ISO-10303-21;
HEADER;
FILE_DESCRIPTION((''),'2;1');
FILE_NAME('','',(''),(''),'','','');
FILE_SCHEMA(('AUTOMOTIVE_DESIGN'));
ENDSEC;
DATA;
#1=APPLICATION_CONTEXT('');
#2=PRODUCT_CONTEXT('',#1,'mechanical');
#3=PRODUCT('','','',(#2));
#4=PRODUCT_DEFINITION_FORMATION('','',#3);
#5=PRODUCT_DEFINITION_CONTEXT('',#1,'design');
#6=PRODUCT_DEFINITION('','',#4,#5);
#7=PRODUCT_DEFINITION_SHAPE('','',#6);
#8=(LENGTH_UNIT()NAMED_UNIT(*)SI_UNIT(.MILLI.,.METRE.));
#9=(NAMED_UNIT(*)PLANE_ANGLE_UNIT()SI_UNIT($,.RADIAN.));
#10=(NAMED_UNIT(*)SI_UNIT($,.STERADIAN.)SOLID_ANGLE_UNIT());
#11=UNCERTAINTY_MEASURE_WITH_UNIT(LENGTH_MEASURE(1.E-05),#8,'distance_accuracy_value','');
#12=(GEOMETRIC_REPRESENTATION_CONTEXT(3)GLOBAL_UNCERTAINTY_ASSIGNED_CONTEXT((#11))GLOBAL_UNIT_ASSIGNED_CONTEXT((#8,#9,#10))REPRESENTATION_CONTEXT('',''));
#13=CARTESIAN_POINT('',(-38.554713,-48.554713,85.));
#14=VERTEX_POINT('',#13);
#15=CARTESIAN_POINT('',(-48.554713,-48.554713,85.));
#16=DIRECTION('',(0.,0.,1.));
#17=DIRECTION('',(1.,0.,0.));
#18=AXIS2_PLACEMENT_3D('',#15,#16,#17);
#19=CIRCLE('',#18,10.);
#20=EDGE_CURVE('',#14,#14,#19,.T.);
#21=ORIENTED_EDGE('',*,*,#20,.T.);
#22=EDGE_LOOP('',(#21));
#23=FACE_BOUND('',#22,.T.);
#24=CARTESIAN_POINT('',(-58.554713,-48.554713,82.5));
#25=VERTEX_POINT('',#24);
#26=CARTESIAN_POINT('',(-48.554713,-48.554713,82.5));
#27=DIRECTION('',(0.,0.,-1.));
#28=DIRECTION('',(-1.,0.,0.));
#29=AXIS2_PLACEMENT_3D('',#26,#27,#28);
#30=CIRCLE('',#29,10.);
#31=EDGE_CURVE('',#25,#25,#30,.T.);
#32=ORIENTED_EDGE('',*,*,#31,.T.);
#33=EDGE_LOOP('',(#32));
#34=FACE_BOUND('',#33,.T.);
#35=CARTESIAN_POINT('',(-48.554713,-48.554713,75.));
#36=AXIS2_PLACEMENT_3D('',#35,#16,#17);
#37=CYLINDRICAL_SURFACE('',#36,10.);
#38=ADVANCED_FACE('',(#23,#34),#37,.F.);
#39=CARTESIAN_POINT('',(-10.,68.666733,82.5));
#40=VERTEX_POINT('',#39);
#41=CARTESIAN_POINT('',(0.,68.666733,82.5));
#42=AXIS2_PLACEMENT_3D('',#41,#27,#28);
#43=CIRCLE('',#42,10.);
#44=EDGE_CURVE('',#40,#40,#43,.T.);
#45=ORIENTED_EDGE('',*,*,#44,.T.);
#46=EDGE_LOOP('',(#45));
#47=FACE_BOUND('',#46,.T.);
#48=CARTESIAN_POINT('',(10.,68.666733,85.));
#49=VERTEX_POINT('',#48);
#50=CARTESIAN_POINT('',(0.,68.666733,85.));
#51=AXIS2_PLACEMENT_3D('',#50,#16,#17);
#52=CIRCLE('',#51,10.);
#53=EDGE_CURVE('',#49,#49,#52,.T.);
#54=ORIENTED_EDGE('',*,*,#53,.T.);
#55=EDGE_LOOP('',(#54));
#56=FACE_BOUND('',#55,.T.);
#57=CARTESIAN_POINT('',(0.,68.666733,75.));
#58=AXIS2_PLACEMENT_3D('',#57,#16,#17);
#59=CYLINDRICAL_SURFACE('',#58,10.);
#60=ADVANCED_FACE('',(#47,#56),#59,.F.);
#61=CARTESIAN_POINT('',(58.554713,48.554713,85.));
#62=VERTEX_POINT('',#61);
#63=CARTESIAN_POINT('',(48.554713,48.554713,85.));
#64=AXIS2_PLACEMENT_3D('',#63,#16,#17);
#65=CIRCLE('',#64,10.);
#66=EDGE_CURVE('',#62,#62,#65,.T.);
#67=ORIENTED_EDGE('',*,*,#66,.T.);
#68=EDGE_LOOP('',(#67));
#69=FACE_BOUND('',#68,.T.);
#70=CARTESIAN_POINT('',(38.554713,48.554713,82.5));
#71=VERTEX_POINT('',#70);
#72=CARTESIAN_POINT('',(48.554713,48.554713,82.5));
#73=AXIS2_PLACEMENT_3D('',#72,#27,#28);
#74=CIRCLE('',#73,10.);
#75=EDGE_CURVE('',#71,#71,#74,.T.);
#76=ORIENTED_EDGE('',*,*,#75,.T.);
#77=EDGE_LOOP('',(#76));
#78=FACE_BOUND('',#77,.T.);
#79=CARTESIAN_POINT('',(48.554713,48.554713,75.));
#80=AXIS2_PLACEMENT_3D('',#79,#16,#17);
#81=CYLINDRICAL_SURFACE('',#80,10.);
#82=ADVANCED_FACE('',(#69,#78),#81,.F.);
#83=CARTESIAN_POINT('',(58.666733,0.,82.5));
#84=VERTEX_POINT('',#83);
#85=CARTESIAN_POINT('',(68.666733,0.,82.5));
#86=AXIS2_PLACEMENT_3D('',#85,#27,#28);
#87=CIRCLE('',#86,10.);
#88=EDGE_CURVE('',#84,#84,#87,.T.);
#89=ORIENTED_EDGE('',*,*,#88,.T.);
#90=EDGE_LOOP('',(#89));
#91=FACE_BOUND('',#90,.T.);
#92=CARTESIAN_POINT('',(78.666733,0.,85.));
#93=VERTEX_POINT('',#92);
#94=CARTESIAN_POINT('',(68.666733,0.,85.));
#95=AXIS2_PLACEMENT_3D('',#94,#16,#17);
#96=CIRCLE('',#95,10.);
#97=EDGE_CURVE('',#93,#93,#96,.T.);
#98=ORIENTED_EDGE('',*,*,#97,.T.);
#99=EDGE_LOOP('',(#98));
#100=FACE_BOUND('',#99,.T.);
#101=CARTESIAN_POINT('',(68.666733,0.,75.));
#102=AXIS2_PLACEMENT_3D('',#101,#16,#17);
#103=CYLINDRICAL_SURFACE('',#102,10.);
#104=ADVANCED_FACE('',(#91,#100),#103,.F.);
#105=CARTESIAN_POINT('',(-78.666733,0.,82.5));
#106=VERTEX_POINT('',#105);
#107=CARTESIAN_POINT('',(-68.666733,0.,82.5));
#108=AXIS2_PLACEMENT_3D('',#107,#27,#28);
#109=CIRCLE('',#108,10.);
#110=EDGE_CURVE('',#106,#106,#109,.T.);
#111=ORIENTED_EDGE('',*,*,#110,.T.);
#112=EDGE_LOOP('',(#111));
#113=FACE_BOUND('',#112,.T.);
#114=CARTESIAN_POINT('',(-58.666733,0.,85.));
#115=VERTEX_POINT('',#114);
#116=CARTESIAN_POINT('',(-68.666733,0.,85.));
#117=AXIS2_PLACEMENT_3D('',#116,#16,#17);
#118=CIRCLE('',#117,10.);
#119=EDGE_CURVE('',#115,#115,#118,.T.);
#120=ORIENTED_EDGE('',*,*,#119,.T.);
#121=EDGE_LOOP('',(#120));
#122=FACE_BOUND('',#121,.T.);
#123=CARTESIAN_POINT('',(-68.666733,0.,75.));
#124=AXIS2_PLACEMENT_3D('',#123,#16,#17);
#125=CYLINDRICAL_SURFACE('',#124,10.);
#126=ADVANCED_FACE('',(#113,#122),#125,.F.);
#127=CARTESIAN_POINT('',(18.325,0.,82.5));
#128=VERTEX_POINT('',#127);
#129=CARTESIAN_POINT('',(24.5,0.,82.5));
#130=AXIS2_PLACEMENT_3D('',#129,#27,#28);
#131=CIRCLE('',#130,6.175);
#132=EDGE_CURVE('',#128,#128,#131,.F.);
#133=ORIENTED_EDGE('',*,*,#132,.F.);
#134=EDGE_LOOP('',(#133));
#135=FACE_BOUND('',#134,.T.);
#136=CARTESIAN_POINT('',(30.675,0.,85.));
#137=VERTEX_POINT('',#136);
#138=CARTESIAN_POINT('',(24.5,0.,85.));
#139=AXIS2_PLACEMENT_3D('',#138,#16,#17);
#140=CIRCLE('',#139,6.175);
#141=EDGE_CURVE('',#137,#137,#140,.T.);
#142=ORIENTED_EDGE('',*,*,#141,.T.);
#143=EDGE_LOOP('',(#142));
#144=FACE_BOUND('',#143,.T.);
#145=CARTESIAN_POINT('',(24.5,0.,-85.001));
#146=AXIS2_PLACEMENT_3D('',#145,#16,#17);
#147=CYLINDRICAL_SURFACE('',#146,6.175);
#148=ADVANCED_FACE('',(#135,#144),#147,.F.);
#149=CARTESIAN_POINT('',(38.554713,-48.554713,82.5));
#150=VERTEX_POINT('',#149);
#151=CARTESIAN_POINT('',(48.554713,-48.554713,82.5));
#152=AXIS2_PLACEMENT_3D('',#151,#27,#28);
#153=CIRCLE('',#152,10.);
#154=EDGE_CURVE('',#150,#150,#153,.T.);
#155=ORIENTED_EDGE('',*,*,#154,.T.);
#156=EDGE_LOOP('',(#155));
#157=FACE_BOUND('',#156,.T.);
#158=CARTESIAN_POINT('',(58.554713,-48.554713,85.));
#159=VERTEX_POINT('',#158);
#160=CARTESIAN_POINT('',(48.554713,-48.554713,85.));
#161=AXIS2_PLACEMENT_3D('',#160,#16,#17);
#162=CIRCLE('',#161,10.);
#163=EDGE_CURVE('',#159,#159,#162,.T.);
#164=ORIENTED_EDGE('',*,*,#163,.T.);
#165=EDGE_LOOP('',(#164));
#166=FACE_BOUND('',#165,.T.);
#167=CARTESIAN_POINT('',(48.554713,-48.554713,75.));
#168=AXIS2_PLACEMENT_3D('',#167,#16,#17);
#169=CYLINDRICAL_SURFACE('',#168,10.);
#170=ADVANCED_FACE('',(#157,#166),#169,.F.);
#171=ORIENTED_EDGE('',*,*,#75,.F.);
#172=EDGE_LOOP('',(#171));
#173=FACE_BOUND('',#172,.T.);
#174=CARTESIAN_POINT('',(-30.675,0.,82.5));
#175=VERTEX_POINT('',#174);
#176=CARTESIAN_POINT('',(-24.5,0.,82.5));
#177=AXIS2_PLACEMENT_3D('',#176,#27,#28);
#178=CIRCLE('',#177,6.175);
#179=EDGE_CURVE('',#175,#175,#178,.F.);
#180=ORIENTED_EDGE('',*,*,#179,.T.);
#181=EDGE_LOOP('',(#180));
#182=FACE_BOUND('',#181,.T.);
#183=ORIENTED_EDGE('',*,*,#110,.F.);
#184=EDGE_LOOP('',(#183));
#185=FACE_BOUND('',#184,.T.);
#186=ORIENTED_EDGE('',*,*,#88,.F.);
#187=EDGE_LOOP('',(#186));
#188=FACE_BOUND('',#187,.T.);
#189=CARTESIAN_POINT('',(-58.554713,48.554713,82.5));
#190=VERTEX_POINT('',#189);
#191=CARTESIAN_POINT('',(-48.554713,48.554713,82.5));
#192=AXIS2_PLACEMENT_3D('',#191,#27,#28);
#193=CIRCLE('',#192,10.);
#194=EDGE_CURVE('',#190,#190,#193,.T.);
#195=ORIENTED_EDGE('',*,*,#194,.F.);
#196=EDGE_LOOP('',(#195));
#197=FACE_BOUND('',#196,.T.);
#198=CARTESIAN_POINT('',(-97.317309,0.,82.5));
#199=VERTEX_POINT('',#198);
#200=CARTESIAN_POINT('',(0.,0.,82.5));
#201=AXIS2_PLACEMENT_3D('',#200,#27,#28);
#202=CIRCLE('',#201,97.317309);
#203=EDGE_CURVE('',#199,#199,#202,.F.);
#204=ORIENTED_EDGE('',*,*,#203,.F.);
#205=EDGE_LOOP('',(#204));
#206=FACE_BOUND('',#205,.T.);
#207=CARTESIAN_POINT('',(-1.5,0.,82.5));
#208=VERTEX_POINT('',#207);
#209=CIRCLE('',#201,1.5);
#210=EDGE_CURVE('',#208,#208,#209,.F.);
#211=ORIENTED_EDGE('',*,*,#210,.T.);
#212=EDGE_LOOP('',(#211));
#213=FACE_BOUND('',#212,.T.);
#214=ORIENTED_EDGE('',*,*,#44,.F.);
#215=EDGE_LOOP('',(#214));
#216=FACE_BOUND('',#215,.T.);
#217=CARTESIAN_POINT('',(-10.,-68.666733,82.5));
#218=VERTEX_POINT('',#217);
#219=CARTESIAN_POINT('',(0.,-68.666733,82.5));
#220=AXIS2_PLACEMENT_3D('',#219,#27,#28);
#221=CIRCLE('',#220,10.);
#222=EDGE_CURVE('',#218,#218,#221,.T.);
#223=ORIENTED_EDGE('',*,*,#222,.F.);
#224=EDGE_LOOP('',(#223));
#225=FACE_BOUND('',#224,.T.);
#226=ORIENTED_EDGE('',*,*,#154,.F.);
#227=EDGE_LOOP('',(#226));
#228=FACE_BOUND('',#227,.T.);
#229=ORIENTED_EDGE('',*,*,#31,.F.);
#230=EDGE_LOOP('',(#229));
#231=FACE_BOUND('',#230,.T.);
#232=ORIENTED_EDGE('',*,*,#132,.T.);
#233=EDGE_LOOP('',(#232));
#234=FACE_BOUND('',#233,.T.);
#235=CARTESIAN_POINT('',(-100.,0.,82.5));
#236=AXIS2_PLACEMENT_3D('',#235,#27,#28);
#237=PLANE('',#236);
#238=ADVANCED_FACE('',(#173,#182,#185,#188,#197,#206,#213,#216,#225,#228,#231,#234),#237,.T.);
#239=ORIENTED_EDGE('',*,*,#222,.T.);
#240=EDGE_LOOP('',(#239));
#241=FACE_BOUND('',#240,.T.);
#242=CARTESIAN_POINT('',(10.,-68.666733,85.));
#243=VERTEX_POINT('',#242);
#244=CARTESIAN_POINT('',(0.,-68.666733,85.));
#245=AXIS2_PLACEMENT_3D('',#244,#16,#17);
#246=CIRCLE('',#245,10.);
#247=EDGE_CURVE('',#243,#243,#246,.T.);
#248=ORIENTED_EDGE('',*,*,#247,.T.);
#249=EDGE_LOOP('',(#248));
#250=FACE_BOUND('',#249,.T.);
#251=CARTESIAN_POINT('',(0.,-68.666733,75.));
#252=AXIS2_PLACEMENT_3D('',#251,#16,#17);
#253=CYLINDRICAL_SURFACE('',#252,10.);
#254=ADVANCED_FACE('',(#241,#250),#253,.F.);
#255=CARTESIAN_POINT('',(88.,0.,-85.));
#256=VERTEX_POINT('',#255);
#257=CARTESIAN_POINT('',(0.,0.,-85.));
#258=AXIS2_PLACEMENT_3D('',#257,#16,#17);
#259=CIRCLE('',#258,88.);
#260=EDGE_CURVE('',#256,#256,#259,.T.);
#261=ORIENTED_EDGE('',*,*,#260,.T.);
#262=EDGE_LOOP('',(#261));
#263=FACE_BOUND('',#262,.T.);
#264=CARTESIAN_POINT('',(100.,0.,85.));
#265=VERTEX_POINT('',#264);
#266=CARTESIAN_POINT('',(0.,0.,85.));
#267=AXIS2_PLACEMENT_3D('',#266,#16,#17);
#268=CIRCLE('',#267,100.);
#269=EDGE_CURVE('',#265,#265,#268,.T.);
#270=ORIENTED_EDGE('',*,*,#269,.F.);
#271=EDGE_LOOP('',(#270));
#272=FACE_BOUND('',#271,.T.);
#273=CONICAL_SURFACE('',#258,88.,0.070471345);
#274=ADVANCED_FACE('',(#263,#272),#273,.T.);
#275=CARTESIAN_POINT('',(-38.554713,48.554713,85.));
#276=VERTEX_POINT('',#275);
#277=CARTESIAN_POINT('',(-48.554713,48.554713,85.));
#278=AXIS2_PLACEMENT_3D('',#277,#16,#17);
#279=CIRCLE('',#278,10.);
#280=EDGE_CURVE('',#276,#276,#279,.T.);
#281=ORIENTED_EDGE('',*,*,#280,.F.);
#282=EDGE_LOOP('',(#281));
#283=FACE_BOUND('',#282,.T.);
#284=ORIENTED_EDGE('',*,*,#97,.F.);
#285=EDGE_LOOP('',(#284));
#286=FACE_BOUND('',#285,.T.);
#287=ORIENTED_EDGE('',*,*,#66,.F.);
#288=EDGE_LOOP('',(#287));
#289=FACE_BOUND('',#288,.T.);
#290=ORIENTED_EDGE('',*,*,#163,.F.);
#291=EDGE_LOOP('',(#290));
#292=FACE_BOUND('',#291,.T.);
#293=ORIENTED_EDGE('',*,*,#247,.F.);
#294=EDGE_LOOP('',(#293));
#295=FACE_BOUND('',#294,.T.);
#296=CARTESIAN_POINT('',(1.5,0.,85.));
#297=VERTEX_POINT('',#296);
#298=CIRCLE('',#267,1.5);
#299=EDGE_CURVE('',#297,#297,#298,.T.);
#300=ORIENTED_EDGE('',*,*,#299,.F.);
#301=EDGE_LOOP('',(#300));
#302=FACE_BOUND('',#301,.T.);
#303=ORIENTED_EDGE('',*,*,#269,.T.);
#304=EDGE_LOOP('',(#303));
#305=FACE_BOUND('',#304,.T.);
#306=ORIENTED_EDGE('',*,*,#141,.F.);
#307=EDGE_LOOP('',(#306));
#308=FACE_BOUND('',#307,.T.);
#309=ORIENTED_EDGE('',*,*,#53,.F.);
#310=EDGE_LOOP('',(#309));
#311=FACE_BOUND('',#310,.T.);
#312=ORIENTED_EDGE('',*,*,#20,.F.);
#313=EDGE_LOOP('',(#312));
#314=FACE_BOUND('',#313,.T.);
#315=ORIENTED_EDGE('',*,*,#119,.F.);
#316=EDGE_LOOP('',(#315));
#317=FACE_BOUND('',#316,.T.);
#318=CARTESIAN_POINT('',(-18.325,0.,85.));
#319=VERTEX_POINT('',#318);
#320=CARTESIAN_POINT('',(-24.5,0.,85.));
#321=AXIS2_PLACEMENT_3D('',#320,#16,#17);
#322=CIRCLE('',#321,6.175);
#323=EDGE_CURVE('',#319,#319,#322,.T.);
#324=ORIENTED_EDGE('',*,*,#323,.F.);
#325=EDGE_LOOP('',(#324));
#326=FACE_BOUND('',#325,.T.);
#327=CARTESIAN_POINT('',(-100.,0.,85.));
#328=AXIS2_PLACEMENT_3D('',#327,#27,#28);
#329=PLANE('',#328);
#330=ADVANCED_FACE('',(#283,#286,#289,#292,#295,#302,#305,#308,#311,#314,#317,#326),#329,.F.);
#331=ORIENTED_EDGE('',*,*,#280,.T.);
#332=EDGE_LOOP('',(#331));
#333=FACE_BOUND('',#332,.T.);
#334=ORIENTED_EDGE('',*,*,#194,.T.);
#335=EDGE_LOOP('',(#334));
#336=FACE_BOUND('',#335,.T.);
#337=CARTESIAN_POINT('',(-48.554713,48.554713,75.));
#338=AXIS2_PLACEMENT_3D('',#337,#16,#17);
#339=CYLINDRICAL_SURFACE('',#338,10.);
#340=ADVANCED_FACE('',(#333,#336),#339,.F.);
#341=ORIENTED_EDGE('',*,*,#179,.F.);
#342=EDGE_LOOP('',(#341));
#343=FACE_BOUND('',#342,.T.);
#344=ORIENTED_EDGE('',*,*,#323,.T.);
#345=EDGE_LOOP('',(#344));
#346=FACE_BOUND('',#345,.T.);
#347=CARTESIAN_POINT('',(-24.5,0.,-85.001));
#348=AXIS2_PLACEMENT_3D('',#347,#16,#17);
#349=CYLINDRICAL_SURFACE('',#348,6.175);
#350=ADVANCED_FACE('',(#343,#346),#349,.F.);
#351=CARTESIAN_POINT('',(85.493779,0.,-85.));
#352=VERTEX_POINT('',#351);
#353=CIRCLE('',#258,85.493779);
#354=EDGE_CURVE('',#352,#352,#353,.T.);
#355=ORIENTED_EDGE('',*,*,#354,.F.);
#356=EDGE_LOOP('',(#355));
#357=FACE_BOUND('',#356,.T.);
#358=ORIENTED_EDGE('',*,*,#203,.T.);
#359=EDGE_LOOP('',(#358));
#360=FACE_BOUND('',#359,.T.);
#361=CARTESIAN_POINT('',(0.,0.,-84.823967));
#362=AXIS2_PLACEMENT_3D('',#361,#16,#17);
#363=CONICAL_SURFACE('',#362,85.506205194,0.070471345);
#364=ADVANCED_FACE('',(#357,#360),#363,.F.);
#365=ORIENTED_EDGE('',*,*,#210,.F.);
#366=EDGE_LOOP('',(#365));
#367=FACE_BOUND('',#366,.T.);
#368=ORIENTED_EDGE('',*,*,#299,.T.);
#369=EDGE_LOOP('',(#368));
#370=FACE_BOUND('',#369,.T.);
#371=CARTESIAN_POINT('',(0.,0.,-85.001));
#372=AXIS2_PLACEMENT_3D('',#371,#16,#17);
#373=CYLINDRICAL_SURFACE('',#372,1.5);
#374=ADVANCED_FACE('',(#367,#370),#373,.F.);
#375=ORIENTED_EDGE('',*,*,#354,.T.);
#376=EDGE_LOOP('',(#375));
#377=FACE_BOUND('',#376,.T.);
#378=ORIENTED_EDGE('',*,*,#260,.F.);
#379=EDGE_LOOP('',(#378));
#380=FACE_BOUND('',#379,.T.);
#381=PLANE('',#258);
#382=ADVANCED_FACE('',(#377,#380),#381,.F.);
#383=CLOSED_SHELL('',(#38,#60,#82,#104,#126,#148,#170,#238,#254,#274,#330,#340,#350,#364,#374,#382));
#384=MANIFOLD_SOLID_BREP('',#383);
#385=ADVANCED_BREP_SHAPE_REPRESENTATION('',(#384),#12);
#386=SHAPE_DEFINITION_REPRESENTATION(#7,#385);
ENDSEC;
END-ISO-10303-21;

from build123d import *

# Parameters (mm, degrees)
VACIADO1_T            = -2.5
CORTAR_EXTRUIR5_REACH = 223.133
CROQUIS2_R            = 1.5
CROQUIS2_R_2          = 6.175
CROQUIS9_R            = 10
CORTAR_EXTRUIR9_DEPTH = 10


with BuildPart() as part:
    # Croquis1 → Revolución1 (revolve)
    with BuildSketch(Plane(origin=(0, 0, 0), x_dir=(1, 0, 0), z_dir=(0, 1, 0)), mode=Mode.PRIVATE) as revoluci_n1_sk:
        Polygon((0, -85), (0, 85), (-88, 85), (-100, -85), align=None)
    revolve(revoluci_n1_sk.sketch.rotate(Axis((0, 0, 85), (0, 0, -1)), 180), axis=Axis((0, 0, 85), (0, 0, -1)))

    # Vaciado1
    vaciado1_openings = [part.faces().sort_by_distance(p)[0] for p in [
        (0, 0, -85),
    ]]
    offset(amount=VACIADO1_T, openings=vaciado1_openings, kind=Kind.INTERSECTION)

    # Croquis2 → Cortar-Extruir5 (cut, up to next)
    with BuildSketch(Plane.XY.offset(85), mode=Mode.PRIVATE) as cortar_extruir5_sk1:
        Circle(CROQUIS2_R)
    cortar_extruir5_tool1 = extrude(cortar_extruir5_sk1.sketch, amount=-CORTAR_EXTRUIR5_REACH, mode=Mode.PRIVATE) & part.part
    # Croquis2 → Cortar-Extruir5 (cut, up to next)
    with BuildSketch(Plane.XY.offset(85), mode=Mode.PRIVATE) as cortar_extruir5_sk2:
        with Locations((-24.5, 0)):
            Circle(CROQUIS2_R_2)
    cortar_extruir5_tool2 = extrude(cortar_extruir5_sk2.sketch, amount=-CORTAR_EXTRUIR5_REACH, mode=Mode.PRIVATE) & part.part
    # Croquis2 → Cortar-Extruir5 (cut, up to next)
    with BuildSketch(Plane.XY.offset(85), mode=Mode.PRIVATE) as cortar_extruir5_sk3:
        with Locations((24.5, 0)):
            Circle(CROQUIS2_R_2)
    cortar_extruir5_tool3 = extrude(cortar_extruir5_sk3.sketch, amount=-CORTAR_EXTRUIR5_REACH, mode=Mode.PRIVATE) & part.part
    add(cortar_extruir5_tool1.solids().sort_by_distance((0, 0, 85))[0], mode=Mode.SUBTRACT)
    add(cortar_extruir5_tool2.solids().sort_by_distance((-24.5, 0, 85))[0], mode=Mode.SUBTRACT)
    add(cortar_extruir5_tool3.solids().sort_by_distance((24.5, 0, 85))[0], mode=Mode.SUBTRACT)

    # Croquis9 → Cortar-Extruir9 (cut)
    with BuildSketch(Plane.XY.offset(85)):
        with Locations((0, 68.666733176)):
            Circle(CROQUIS9_R)
        with Locations((48.55471267, 48.55471267)):
            Circle(CROQUIS9_R)
        with Locations((68.666733176, 0)):
            Circle(CROQUIS9_R)
        with Locations((48.55471267, -48.55471267)):
            Circle(CROQUIS9_R)
        with Locations((0, -68.666733176)):
            Circle(CROQUIS9_R)
        with Locations((-48.55471267, -48.55471267)):
            Circle(CROQUIS9_R)
        with Locations((-68.666733176, 0)):
            Circle(CROQUIS9_R)
        with Locations((-48.55471267, 48.55471267)):
            Circle(CROQUIS9_R)
    extrude(amount=-CORTAR_EXTRUIR9_DEPTH, mode=Mode.SUBTRACT)


solid = part.part
